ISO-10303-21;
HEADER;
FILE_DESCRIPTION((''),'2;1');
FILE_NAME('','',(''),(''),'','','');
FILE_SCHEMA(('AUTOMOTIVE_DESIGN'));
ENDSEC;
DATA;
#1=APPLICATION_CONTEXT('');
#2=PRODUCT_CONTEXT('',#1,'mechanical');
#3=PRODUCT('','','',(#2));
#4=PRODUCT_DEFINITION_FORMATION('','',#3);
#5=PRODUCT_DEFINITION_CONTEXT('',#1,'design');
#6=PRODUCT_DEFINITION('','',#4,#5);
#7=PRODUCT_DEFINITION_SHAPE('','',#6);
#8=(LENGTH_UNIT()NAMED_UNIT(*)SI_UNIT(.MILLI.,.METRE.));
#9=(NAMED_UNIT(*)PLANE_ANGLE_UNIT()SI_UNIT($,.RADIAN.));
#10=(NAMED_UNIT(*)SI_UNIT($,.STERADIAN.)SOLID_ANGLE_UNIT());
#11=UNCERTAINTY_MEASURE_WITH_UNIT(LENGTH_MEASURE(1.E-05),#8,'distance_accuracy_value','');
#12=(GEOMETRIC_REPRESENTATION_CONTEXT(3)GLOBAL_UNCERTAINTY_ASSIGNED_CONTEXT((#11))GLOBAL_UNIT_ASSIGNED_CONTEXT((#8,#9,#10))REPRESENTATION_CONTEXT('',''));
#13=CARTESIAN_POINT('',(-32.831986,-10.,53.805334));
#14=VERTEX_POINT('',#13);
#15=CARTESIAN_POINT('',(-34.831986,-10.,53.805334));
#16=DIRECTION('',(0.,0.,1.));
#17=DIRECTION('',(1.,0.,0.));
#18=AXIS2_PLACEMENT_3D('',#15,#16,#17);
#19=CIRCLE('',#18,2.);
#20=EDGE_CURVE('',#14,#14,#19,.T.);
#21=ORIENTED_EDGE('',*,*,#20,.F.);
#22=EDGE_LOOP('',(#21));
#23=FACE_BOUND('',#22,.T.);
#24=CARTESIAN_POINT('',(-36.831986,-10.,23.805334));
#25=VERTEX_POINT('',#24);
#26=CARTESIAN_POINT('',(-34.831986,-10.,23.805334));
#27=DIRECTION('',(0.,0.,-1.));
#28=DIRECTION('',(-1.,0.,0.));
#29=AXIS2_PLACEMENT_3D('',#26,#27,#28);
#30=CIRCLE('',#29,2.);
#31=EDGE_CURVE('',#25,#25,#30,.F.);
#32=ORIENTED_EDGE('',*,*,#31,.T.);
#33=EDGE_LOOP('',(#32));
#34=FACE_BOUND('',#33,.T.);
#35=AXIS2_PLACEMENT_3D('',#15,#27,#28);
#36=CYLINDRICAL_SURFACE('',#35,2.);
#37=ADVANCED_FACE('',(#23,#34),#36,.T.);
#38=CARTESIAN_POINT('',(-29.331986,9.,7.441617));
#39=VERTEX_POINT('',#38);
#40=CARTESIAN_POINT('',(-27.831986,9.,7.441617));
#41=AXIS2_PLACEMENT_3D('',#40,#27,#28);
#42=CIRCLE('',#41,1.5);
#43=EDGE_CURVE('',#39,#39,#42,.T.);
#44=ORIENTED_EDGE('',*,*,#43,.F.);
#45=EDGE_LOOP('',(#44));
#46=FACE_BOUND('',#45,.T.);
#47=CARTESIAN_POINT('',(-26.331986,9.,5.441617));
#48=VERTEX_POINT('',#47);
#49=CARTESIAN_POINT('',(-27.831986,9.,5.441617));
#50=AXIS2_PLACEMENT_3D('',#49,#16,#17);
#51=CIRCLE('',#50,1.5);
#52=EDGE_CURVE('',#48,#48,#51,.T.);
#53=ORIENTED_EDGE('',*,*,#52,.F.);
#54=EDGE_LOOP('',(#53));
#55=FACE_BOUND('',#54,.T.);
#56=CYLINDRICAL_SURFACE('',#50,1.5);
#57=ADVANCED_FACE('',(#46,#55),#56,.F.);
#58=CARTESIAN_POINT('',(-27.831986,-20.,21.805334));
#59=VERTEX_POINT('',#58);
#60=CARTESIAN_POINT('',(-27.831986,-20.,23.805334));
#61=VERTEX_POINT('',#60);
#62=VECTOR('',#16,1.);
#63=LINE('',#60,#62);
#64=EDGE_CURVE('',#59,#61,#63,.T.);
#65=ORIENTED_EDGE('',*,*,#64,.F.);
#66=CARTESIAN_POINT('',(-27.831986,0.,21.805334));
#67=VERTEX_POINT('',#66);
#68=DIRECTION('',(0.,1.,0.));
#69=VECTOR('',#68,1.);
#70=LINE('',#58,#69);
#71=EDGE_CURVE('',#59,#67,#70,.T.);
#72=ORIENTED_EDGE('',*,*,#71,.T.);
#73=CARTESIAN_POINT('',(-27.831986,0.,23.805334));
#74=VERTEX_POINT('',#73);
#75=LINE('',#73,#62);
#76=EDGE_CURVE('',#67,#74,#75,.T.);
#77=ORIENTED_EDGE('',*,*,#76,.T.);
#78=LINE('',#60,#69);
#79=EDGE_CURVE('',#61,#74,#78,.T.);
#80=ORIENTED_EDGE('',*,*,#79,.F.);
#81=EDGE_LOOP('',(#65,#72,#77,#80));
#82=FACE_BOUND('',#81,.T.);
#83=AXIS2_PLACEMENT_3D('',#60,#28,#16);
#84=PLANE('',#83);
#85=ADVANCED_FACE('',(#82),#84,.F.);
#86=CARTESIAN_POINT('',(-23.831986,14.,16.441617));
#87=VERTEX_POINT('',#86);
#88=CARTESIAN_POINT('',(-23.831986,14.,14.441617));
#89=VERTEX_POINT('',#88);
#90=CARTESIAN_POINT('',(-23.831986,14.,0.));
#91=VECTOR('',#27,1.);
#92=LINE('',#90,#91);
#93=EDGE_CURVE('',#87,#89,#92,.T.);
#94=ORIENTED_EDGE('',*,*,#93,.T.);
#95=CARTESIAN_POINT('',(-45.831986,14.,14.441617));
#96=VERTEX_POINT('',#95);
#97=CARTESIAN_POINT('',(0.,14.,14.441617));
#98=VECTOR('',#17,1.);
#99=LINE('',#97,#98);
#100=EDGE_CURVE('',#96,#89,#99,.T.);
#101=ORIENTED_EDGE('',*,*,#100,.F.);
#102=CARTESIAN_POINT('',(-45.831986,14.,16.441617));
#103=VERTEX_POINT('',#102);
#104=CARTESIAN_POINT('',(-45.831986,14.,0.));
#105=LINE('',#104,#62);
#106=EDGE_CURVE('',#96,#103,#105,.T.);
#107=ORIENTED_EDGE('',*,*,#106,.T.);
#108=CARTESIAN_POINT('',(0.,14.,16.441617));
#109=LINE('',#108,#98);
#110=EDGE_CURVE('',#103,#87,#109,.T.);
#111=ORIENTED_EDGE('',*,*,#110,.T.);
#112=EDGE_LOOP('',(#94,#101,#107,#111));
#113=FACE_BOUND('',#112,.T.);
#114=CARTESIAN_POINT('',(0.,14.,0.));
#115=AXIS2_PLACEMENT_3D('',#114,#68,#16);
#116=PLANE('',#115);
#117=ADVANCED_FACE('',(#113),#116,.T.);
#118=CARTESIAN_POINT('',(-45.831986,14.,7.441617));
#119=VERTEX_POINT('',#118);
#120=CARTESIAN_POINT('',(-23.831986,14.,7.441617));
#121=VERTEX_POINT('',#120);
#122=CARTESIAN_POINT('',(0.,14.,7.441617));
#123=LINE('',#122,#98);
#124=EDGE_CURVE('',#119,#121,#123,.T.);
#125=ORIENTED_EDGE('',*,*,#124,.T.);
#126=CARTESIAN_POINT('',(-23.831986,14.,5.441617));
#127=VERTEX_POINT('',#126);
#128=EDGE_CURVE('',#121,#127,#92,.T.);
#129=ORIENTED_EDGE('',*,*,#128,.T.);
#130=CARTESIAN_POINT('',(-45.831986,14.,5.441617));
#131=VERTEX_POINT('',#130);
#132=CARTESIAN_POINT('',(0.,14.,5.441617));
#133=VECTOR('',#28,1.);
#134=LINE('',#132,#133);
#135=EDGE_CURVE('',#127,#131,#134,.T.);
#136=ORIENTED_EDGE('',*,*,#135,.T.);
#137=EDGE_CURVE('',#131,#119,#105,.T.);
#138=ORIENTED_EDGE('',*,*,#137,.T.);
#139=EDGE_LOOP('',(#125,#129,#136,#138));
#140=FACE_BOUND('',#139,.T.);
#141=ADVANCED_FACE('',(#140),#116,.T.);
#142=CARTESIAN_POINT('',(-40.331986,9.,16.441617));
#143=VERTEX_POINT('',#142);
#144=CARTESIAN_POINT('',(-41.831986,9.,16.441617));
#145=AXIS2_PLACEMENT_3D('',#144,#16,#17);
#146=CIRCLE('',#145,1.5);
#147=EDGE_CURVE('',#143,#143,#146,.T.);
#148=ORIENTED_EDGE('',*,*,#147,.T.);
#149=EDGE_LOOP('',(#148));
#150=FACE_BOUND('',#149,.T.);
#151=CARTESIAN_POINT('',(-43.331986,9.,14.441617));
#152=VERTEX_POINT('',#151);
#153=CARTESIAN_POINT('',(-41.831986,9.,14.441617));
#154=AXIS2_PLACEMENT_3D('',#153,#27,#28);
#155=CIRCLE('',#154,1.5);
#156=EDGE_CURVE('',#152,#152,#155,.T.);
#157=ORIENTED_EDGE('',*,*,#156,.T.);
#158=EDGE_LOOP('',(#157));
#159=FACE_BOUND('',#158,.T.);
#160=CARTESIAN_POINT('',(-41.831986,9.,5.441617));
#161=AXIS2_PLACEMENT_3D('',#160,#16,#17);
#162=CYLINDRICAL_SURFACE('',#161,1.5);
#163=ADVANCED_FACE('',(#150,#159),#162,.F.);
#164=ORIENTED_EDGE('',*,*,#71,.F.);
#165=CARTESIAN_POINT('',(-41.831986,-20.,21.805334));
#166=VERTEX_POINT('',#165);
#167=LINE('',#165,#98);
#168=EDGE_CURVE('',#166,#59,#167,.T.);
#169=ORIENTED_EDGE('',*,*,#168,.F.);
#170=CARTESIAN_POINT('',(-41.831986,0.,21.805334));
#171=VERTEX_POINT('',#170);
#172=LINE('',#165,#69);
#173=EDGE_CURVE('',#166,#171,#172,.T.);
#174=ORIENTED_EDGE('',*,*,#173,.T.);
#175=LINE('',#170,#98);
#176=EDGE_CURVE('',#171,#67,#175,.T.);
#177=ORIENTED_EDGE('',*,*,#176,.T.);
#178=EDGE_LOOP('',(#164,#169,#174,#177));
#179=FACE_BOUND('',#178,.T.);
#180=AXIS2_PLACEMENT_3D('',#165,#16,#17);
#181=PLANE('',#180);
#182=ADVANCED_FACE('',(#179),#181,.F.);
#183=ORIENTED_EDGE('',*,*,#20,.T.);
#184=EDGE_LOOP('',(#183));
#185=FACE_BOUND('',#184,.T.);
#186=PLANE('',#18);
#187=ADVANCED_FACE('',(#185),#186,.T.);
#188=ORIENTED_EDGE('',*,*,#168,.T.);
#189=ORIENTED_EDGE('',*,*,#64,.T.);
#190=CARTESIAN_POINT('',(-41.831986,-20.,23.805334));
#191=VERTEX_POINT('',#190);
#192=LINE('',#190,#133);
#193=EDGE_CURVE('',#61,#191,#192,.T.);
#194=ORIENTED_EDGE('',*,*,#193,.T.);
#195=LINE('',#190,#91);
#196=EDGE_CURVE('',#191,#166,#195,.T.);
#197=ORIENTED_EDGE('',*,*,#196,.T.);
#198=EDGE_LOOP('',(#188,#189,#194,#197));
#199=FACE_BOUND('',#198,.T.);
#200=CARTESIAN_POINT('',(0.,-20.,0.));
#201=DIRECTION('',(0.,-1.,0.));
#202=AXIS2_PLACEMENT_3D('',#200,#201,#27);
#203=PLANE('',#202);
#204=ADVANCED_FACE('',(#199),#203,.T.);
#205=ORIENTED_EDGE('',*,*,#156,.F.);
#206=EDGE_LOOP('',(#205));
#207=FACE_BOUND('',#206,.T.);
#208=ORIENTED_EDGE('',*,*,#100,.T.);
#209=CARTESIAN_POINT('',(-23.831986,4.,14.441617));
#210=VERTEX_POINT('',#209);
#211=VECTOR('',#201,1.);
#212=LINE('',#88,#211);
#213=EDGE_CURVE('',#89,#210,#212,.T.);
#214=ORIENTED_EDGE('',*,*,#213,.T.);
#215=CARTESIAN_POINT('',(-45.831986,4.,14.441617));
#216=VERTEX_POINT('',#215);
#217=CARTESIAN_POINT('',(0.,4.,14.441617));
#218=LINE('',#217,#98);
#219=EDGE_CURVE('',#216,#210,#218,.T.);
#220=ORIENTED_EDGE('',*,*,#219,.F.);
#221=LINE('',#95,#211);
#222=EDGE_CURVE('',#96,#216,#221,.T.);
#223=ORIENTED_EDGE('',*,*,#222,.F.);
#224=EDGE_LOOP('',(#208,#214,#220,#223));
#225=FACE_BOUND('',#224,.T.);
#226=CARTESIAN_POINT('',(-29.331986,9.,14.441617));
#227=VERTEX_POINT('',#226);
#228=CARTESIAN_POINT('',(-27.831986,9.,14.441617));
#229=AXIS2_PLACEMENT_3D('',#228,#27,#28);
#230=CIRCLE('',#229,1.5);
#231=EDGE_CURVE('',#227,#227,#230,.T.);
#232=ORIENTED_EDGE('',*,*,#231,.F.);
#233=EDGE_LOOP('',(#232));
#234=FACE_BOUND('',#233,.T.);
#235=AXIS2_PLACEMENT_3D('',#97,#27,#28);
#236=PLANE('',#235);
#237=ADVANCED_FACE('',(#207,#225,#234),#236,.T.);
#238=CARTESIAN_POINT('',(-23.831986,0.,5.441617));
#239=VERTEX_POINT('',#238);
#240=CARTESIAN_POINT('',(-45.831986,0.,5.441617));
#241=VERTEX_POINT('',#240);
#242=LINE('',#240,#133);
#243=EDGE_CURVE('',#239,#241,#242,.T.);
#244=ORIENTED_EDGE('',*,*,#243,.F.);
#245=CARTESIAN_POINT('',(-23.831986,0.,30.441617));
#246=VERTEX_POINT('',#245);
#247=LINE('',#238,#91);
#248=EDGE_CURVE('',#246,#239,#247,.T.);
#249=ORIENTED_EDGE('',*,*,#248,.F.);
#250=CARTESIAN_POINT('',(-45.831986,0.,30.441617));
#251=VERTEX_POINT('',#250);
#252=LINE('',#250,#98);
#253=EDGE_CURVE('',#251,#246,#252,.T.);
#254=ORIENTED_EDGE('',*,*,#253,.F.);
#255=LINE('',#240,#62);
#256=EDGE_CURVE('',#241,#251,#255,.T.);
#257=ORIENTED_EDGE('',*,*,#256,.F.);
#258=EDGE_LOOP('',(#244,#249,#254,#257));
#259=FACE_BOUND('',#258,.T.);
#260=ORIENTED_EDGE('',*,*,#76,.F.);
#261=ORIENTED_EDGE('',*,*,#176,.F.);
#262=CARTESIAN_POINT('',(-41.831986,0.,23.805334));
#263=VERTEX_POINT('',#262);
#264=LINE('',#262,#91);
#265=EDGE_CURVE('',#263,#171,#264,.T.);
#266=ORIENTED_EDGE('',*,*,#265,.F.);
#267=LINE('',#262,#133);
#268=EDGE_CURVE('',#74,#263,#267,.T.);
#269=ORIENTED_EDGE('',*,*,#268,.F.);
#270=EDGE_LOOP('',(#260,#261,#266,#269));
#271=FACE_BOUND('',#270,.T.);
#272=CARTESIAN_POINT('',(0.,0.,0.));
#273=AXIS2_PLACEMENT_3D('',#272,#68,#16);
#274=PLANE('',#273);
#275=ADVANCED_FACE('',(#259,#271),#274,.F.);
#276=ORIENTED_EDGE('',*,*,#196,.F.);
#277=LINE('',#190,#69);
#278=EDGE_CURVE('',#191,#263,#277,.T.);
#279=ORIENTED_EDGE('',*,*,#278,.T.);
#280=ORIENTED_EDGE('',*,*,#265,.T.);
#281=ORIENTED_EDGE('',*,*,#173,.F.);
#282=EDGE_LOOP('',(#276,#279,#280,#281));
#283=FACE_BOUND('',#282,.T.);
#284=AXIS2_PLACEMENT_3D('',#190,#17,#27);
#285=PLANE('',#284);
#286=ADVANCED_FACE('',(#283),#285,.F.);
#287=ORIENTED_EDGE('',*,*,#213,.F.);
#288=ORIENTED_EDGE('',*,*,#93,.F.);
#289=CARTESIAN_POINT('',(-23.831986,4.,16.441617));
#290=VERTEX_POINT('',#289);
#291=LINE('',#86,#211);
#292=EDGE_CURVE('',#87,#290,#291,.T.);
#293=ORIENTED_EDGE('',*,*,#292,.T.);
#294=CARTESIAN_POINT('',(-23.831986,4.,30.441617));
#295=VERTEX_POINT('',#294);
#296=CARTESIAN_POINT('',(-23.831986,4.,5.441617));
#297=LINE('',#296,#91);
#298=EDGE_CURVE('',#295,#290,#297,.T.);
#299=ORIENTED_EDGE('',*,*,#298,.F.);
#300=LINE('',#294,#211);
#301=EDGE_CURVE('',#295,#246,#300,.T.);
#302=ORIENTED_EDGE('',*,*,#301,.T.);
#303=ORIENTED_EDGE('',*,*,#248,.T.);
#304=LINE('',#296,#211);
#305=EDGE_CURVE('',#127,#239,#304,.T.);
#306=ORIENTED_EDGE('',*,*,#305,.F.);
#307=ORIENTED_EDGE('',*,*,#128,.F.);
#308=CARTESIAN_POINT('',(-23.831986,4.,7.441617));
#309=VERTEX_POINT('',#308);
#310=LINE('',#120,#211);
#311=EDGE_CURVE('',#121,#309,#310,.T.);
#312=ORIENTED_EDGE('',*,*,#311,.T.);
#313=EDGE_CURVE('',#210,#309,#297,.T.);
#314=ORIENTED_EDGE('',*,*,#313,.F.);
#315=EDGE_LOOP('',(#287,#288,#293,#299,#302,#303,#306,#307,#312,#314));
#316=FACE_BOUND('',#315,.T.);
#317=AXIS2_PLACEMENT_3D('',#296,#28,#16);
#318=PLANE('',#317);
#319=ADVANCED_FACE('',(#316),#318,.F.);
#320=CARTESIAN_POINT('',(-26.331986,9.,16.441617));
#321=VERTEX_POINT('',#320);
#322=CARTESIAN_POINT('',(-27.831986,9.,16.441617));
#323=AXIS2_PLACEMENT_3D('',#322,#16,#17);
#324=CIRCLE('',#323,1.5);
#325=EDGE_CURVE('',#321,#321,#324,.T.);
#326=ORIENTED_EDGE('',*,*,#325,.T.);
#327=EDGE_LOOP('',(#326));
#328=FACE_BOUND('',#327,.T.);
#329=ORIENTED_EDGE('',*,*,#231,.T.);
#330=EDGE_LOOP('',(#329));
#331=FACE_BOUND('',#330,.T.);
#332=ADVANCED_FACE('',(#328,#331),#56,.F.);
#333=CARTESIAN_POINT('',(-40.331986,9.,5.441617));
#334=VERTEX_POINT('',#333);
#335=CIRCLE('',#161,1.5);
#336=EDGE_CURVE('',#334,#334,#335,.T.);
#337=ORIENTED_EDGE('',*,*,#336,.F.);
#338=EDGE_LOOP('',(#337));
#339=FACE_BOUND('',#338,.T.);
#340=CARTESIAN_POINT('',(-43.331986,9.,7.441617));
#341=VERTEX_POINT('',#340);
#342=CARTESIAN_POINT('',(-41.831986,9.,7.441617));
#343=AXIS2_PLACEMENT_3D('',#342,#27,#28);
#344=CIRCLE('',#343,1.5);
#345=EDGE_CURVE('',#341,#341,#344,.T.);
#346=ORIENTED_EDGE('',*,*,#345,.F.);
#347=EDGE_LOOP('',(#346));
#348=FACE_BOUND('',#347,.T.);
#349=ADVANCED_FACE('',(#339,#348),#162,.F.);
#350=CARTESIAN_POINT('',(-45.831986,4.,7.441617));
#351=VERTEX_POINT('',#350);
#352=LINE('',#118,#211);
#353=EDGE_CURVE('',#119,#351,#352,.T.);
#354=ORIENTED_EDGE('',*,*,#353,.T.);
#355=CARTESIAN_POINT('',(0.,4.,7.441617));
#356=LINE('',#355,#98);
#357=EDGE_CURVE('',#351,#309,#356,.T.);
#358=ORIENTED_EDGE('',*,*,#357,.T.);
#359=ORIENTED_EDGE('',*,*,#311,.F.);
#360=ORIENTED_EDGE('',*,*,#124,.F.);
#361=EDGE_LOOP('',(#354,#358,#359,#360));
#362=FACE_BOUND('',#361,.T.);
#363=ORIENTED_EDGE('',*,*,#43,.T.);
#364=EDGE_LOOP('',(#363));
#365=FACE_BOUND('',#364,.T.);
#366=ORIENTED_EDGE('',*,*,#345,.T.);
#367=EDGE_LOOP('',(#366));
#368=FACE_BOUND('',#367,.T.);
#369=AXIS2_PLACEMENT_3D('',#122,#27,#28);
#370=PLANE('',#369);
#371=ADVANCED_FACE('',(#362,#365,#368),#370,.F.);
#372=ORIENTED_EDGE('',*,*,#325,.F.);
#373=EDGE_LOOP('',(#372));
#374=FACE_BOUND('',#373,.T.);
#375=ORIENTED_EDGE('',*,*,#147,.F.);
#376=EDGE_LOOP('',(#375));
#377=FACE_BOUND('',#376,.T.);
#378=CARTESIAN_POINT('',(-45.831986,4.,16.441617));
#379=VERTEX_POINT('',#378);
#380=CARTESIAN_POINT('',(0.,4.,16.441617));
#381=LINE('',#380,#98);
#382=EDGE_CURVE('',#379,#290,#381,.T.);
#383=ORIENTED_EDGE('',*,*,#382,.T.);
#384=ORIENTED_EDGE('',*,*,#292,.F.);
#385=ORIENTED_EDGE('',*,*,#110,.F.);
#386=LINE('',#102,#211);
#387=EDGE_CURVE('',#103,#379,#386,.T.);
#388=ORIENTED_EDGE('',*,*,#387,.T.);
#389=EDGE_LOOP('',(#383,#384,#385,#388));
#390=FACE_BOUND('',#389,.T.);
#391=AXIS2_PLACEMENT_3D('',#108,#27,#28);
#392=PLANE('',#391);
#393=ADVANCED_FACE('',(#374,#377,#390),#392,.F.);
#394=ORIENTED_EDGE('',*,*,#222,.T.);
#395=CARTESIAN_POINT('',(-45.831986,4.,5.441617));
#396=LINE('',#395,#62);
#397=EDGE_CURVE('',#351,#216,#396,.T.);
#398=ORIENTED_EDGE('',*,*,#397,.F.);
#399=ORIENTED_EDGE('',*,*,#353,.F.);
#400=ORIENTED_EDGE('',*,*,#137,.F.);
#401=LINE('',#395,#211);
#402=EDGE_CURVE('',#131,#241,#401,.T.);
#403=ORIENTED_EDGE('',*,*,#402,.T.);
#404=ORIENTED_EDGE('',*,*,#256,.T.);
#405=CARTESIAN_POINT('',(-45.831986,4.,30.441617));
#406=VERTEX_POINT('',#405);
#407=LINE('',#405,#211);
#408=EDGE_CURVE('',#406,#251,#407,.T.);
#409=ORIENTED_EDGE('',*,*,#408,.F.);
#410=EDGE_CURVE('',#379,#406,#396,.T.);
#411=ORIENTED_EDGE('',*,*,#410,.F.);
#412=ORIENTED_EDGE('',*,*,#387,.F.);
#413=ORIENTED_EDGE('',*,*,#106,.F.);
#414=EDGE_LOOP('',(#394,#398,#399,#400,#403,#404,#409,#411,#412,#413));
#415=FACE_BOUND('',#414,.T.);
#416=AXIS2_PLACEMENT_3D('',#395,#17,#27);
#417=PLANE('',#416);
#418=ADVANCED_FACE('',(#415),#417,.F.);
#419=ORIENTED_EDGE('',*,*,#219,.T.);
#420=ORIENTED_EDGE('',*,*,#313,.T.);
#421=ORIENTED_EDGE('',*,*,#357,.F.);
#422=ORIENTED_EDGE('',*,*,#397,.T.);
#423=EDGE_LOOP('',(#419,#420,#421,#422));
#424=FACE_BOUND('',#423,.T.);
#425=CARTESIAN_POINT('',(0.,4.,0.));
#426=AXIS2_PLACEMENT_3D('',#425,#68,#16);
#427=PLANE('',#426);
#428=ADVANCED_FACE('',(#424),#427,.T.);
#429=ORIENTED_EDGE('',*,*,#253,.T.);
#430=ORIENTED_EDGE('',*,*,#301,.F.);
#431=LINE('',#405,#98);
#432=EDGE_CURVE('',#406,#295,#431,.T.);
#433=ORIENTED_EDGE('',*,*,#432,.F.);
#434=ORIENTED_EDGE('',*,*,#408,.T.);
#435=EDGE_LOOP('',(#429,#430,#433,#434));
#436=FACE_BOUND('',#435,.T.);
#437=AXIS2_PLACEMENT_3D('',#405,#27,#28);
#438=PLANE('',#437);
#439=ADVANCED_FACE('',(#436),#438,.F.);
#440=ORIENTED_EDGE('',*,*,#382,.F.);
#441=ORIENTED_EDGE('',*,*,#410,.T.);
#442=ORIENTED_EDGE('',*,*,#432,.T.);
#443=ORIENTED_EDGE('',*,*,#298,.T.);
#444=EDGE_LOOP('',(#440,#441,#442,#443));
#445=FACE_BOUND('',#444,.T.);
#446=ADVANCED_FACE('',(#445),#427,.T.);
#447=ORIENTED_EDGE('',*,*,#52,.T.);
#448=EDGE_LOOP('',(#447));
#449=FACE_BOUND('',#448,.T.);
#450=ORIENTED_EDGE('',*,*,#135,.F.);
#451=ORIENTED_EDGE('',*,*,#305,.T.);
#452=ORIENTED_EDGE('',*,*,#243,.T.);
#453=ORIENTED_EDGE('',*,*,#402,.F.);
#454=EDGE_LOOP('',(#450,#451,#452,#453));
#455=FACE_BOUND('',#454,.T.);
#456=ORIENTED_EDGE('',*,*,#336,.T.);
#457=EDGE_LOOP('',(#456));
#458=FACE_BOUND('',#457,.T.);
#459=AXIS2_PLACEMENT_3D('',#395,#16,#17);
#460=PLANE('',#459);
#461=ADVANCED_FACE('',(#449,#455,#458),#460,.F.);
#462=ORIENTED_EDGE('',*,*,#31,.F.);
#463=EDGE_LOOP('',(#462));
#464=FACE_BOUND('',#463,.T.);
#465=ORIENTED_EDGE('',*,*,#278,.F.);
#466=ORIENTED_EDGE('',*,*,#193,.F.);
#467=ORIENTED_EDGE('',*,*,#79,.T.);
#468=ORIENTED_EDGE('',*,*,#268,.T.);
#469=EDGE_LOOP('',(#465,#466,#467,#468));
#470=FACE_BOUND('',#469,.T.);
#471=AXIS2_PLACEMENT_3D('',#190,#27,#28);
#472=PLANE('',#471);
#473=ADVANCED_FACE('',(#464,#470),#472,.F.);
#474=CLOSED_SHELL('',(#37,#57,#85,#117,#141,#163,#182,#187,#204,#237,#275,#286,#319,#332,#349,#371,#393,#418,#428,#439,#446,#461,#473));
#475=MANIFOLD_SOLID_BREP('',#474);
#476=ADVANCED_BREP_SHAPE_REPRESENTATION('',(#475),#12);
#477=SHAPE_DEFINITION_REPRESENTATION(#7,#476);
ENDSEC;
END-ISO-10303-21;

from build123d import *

# Parameters (mm, degrees)
SKETCH_2_W          = 22
SKETCH_2_H          = 25
EXTRUDE_1_DEPTH     = 4
SKETCH_3_W          = 22
SKETCH_3_H          = 2
EXTRUDE_2_DEPTH     = 10
SKETCH_4_R          = 1.5
CUT_EXTRUDE_1_DEPTH = 11
SKETCH_5_W          = 14
SKETCH_5_H          = 2
EXTRUDE_3_DEPTH     = 20
SKETCH_6_R          = 2
EXTRUDE_4_DEPTH     = 30


with BuildPart() as part:
    # Эскиз2 → Бобышка-Вытянуть1 (new body)
    with BuildSketch(Plane(origin=(0, 0, 0), x_dir=(1, 0, 0), z_dir=(0, 1, 0))):
        with Locations((-34.831985697, -17.94161698)):
            Rectangle(SKETCH_2_W, SKETCH_2_H)
    extrude(amount=EXTRUDE_1_DEPTH)

    # Эскиз3 → Бобышка-Вытянуть2 (add)
    with BuildSketch(Plane(origin=(0, 4, 0), x_dir=(1, 0, 0), z_dir=(0, 1, 0))):
        with Locations((-34.831985697, -6.44161698)):
            Rectangle(SKETCH_3_W, SKETCH_3_H)
        with Locations((-34.831985697, -15.44161698)):
            Rectangle(SKETCH_3_W, SKETCH_3_H)
    extrude(amount=EXTRUDE_2_DEPTH)

    # Эскиз4 → Вырез-Вытянуть1 (cut)
    with BuildSketch(Plane.XY.offset(16.44161698)):
        with Locations((-41.831985697, 9)):
            Circle(SKETCH_4_R)
        with Locations((-27.831985697, 9)):
            Circle(SKETCH_4_R)
    extrude(amount=-CUT_EXTRUDE_1_DEPTH, mode=Mode.SUBTRACT)

    # Эскиз5 → Бобышка-Вытянуть3 (add)
    with BuildSketch(Plane.XZ):
        with Locations((-34.831985697, 22.805333719)):
            Rectangle(SKETCH_5_W, SKETCH_5_H)
    extrude(amount=EXTRUDE_3_DEPTH)

    # Эскиз6 → Бобышка-Вытянуть4 (add)
    with BuildSketch(Plane.XY.offset(23.805333719)):
        with Locations(Location((-34.831985697, -10, 0), (0, 0, 180))):
            Circle(SKETCH_6_R)
    extrude(amount=EXTRUDE_4_DEPTH)


solid = part.part
